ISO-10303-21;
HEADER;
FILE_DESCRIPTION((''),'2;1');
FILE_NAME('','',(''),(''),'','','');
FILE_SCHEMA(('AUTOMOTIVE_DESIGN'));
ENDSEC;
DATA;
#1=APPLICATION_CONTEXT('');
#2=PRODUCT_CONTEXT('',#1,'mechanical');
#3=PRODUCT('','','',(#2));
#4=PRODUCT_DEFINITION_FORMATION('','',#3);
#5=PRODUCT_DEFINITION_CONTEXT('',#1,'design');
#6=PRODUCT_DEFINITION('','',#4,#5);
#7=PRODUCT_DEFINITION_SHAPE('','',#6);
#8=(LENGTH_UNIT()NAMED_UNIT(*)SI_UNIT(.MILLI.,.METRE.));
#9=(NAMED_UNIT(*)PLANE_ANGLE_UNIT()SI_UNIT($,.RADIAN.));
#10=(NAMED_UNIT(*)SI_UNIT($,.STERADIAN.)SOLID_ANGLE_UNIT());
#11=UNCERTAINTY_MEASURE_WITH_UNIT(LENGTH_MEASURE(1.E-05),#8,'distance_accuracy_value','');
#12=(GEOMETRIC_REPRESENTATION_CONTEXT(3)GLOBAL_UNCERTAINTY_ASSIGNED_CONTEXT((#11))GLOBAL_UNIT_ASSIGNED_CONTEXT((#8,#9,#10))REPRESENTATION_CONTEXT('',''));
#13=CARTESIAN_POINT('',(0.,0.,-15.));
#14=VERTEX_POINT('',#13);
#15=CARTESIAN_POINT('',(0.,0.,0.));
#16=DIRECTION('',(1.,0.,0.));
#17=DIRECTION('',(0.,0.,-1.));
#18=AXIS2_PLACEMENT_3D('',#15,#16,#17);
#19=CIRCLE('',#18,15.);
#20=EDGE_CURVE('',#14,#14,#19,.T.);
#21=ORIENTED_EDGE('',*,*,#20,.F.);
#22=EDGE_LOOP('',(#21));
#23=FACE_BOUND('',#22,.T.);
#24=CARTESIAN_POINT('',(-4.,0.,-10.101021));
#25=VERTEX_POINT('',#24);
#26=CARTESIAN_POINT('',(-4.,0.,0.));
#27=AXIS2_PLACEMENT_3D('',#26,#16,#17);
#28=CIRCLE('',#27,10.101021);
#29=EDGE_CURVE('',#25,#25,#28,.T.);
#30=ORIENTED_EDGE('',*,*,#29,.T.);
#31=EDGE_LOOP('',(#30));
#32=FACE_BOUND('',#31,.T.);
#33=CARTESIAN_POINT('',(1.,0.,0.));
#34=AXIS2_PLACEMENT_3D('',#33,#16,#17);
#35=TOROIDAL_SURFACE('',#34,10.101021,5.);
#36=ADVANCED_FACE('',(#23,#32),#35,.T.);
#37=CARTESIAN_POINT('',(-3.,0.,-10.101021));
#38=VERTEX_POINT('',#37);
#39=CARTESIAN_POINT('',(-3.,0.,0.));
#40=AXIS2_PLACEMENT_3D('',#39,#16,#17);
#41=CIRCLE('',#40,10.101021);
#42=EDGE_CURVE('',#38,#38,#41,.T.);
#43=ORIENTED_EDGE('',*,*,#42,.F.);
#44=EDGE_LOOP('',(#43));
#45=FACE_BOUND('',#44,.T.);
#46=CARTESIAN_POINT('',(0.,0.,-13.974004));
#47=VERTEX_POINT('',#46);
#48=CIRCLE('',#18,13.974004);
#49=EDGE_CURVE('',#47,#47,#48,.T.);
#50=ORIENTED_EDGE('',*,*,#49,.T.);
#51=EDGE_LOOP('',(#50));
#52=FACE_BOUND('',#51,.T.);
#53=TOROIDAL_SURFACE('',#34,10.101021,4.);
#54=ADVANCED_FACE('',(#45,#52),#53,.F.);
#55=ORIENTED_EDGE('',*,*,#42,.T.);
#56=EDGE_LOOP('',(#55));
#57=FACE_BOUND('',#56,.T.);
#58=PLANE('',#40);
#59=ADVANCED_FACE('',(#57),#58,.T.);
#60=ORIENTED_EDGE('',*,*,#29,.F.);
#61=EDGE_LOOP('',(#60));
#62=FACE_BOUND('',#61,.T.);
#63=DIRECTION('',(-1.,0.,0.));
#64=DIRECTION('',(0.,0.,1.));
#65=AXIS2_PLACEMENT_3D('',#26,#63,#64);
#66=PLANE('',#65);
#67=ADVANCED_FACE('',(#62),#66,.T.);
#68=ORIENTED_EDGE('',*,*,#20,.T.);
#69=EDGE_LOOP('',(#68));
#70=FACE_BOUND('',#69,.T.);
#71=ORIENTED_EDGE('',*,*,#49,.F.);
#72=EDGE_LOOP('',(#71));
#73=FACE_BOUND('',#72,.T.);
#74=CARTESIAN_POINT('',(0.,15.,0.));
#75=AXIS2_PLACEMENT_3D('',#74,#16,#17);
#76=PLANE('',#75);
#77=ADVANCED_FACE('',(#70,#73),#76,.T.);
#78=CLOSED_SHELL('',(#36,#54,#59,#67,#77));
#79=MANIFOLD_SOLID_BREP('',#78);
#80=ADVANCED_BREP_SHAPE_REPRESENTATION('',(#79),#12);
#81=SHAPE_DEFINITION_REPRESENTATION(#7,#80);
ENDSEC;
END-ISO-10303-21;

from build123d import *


with BuildPart() as part:
    # Çizim1 → Döndür1 (revolve)
    with BuildSketch(Plane.XY, mode=Mode.PRIVATE) as d_nd_r1_sk:
        with BuildLine():
            Line((-4, 0), (-4, 10.101020514))
            ThreePointArc((-4, 10.101020514), (-2.872983346, 13.263298175), (0, 15))
            Line((0, 15), (0, 13.974003861))
            ThreePointArc((0, 13.974003861), (-2.16227766, 12.550510257), (-3, 10.101020514))
            Line((-3, 10.101020514), (-3, 0))
            Line((-3, 0), (-4, 0))
        make_face()
    revolve(d_nd_r1_sk.sketch.rotate(Axis((0, 0, 0), (-1, 0, 0)), 90), axis=Axis((0, 0, 0), (-1, 0, 0)))


solid = part.part
